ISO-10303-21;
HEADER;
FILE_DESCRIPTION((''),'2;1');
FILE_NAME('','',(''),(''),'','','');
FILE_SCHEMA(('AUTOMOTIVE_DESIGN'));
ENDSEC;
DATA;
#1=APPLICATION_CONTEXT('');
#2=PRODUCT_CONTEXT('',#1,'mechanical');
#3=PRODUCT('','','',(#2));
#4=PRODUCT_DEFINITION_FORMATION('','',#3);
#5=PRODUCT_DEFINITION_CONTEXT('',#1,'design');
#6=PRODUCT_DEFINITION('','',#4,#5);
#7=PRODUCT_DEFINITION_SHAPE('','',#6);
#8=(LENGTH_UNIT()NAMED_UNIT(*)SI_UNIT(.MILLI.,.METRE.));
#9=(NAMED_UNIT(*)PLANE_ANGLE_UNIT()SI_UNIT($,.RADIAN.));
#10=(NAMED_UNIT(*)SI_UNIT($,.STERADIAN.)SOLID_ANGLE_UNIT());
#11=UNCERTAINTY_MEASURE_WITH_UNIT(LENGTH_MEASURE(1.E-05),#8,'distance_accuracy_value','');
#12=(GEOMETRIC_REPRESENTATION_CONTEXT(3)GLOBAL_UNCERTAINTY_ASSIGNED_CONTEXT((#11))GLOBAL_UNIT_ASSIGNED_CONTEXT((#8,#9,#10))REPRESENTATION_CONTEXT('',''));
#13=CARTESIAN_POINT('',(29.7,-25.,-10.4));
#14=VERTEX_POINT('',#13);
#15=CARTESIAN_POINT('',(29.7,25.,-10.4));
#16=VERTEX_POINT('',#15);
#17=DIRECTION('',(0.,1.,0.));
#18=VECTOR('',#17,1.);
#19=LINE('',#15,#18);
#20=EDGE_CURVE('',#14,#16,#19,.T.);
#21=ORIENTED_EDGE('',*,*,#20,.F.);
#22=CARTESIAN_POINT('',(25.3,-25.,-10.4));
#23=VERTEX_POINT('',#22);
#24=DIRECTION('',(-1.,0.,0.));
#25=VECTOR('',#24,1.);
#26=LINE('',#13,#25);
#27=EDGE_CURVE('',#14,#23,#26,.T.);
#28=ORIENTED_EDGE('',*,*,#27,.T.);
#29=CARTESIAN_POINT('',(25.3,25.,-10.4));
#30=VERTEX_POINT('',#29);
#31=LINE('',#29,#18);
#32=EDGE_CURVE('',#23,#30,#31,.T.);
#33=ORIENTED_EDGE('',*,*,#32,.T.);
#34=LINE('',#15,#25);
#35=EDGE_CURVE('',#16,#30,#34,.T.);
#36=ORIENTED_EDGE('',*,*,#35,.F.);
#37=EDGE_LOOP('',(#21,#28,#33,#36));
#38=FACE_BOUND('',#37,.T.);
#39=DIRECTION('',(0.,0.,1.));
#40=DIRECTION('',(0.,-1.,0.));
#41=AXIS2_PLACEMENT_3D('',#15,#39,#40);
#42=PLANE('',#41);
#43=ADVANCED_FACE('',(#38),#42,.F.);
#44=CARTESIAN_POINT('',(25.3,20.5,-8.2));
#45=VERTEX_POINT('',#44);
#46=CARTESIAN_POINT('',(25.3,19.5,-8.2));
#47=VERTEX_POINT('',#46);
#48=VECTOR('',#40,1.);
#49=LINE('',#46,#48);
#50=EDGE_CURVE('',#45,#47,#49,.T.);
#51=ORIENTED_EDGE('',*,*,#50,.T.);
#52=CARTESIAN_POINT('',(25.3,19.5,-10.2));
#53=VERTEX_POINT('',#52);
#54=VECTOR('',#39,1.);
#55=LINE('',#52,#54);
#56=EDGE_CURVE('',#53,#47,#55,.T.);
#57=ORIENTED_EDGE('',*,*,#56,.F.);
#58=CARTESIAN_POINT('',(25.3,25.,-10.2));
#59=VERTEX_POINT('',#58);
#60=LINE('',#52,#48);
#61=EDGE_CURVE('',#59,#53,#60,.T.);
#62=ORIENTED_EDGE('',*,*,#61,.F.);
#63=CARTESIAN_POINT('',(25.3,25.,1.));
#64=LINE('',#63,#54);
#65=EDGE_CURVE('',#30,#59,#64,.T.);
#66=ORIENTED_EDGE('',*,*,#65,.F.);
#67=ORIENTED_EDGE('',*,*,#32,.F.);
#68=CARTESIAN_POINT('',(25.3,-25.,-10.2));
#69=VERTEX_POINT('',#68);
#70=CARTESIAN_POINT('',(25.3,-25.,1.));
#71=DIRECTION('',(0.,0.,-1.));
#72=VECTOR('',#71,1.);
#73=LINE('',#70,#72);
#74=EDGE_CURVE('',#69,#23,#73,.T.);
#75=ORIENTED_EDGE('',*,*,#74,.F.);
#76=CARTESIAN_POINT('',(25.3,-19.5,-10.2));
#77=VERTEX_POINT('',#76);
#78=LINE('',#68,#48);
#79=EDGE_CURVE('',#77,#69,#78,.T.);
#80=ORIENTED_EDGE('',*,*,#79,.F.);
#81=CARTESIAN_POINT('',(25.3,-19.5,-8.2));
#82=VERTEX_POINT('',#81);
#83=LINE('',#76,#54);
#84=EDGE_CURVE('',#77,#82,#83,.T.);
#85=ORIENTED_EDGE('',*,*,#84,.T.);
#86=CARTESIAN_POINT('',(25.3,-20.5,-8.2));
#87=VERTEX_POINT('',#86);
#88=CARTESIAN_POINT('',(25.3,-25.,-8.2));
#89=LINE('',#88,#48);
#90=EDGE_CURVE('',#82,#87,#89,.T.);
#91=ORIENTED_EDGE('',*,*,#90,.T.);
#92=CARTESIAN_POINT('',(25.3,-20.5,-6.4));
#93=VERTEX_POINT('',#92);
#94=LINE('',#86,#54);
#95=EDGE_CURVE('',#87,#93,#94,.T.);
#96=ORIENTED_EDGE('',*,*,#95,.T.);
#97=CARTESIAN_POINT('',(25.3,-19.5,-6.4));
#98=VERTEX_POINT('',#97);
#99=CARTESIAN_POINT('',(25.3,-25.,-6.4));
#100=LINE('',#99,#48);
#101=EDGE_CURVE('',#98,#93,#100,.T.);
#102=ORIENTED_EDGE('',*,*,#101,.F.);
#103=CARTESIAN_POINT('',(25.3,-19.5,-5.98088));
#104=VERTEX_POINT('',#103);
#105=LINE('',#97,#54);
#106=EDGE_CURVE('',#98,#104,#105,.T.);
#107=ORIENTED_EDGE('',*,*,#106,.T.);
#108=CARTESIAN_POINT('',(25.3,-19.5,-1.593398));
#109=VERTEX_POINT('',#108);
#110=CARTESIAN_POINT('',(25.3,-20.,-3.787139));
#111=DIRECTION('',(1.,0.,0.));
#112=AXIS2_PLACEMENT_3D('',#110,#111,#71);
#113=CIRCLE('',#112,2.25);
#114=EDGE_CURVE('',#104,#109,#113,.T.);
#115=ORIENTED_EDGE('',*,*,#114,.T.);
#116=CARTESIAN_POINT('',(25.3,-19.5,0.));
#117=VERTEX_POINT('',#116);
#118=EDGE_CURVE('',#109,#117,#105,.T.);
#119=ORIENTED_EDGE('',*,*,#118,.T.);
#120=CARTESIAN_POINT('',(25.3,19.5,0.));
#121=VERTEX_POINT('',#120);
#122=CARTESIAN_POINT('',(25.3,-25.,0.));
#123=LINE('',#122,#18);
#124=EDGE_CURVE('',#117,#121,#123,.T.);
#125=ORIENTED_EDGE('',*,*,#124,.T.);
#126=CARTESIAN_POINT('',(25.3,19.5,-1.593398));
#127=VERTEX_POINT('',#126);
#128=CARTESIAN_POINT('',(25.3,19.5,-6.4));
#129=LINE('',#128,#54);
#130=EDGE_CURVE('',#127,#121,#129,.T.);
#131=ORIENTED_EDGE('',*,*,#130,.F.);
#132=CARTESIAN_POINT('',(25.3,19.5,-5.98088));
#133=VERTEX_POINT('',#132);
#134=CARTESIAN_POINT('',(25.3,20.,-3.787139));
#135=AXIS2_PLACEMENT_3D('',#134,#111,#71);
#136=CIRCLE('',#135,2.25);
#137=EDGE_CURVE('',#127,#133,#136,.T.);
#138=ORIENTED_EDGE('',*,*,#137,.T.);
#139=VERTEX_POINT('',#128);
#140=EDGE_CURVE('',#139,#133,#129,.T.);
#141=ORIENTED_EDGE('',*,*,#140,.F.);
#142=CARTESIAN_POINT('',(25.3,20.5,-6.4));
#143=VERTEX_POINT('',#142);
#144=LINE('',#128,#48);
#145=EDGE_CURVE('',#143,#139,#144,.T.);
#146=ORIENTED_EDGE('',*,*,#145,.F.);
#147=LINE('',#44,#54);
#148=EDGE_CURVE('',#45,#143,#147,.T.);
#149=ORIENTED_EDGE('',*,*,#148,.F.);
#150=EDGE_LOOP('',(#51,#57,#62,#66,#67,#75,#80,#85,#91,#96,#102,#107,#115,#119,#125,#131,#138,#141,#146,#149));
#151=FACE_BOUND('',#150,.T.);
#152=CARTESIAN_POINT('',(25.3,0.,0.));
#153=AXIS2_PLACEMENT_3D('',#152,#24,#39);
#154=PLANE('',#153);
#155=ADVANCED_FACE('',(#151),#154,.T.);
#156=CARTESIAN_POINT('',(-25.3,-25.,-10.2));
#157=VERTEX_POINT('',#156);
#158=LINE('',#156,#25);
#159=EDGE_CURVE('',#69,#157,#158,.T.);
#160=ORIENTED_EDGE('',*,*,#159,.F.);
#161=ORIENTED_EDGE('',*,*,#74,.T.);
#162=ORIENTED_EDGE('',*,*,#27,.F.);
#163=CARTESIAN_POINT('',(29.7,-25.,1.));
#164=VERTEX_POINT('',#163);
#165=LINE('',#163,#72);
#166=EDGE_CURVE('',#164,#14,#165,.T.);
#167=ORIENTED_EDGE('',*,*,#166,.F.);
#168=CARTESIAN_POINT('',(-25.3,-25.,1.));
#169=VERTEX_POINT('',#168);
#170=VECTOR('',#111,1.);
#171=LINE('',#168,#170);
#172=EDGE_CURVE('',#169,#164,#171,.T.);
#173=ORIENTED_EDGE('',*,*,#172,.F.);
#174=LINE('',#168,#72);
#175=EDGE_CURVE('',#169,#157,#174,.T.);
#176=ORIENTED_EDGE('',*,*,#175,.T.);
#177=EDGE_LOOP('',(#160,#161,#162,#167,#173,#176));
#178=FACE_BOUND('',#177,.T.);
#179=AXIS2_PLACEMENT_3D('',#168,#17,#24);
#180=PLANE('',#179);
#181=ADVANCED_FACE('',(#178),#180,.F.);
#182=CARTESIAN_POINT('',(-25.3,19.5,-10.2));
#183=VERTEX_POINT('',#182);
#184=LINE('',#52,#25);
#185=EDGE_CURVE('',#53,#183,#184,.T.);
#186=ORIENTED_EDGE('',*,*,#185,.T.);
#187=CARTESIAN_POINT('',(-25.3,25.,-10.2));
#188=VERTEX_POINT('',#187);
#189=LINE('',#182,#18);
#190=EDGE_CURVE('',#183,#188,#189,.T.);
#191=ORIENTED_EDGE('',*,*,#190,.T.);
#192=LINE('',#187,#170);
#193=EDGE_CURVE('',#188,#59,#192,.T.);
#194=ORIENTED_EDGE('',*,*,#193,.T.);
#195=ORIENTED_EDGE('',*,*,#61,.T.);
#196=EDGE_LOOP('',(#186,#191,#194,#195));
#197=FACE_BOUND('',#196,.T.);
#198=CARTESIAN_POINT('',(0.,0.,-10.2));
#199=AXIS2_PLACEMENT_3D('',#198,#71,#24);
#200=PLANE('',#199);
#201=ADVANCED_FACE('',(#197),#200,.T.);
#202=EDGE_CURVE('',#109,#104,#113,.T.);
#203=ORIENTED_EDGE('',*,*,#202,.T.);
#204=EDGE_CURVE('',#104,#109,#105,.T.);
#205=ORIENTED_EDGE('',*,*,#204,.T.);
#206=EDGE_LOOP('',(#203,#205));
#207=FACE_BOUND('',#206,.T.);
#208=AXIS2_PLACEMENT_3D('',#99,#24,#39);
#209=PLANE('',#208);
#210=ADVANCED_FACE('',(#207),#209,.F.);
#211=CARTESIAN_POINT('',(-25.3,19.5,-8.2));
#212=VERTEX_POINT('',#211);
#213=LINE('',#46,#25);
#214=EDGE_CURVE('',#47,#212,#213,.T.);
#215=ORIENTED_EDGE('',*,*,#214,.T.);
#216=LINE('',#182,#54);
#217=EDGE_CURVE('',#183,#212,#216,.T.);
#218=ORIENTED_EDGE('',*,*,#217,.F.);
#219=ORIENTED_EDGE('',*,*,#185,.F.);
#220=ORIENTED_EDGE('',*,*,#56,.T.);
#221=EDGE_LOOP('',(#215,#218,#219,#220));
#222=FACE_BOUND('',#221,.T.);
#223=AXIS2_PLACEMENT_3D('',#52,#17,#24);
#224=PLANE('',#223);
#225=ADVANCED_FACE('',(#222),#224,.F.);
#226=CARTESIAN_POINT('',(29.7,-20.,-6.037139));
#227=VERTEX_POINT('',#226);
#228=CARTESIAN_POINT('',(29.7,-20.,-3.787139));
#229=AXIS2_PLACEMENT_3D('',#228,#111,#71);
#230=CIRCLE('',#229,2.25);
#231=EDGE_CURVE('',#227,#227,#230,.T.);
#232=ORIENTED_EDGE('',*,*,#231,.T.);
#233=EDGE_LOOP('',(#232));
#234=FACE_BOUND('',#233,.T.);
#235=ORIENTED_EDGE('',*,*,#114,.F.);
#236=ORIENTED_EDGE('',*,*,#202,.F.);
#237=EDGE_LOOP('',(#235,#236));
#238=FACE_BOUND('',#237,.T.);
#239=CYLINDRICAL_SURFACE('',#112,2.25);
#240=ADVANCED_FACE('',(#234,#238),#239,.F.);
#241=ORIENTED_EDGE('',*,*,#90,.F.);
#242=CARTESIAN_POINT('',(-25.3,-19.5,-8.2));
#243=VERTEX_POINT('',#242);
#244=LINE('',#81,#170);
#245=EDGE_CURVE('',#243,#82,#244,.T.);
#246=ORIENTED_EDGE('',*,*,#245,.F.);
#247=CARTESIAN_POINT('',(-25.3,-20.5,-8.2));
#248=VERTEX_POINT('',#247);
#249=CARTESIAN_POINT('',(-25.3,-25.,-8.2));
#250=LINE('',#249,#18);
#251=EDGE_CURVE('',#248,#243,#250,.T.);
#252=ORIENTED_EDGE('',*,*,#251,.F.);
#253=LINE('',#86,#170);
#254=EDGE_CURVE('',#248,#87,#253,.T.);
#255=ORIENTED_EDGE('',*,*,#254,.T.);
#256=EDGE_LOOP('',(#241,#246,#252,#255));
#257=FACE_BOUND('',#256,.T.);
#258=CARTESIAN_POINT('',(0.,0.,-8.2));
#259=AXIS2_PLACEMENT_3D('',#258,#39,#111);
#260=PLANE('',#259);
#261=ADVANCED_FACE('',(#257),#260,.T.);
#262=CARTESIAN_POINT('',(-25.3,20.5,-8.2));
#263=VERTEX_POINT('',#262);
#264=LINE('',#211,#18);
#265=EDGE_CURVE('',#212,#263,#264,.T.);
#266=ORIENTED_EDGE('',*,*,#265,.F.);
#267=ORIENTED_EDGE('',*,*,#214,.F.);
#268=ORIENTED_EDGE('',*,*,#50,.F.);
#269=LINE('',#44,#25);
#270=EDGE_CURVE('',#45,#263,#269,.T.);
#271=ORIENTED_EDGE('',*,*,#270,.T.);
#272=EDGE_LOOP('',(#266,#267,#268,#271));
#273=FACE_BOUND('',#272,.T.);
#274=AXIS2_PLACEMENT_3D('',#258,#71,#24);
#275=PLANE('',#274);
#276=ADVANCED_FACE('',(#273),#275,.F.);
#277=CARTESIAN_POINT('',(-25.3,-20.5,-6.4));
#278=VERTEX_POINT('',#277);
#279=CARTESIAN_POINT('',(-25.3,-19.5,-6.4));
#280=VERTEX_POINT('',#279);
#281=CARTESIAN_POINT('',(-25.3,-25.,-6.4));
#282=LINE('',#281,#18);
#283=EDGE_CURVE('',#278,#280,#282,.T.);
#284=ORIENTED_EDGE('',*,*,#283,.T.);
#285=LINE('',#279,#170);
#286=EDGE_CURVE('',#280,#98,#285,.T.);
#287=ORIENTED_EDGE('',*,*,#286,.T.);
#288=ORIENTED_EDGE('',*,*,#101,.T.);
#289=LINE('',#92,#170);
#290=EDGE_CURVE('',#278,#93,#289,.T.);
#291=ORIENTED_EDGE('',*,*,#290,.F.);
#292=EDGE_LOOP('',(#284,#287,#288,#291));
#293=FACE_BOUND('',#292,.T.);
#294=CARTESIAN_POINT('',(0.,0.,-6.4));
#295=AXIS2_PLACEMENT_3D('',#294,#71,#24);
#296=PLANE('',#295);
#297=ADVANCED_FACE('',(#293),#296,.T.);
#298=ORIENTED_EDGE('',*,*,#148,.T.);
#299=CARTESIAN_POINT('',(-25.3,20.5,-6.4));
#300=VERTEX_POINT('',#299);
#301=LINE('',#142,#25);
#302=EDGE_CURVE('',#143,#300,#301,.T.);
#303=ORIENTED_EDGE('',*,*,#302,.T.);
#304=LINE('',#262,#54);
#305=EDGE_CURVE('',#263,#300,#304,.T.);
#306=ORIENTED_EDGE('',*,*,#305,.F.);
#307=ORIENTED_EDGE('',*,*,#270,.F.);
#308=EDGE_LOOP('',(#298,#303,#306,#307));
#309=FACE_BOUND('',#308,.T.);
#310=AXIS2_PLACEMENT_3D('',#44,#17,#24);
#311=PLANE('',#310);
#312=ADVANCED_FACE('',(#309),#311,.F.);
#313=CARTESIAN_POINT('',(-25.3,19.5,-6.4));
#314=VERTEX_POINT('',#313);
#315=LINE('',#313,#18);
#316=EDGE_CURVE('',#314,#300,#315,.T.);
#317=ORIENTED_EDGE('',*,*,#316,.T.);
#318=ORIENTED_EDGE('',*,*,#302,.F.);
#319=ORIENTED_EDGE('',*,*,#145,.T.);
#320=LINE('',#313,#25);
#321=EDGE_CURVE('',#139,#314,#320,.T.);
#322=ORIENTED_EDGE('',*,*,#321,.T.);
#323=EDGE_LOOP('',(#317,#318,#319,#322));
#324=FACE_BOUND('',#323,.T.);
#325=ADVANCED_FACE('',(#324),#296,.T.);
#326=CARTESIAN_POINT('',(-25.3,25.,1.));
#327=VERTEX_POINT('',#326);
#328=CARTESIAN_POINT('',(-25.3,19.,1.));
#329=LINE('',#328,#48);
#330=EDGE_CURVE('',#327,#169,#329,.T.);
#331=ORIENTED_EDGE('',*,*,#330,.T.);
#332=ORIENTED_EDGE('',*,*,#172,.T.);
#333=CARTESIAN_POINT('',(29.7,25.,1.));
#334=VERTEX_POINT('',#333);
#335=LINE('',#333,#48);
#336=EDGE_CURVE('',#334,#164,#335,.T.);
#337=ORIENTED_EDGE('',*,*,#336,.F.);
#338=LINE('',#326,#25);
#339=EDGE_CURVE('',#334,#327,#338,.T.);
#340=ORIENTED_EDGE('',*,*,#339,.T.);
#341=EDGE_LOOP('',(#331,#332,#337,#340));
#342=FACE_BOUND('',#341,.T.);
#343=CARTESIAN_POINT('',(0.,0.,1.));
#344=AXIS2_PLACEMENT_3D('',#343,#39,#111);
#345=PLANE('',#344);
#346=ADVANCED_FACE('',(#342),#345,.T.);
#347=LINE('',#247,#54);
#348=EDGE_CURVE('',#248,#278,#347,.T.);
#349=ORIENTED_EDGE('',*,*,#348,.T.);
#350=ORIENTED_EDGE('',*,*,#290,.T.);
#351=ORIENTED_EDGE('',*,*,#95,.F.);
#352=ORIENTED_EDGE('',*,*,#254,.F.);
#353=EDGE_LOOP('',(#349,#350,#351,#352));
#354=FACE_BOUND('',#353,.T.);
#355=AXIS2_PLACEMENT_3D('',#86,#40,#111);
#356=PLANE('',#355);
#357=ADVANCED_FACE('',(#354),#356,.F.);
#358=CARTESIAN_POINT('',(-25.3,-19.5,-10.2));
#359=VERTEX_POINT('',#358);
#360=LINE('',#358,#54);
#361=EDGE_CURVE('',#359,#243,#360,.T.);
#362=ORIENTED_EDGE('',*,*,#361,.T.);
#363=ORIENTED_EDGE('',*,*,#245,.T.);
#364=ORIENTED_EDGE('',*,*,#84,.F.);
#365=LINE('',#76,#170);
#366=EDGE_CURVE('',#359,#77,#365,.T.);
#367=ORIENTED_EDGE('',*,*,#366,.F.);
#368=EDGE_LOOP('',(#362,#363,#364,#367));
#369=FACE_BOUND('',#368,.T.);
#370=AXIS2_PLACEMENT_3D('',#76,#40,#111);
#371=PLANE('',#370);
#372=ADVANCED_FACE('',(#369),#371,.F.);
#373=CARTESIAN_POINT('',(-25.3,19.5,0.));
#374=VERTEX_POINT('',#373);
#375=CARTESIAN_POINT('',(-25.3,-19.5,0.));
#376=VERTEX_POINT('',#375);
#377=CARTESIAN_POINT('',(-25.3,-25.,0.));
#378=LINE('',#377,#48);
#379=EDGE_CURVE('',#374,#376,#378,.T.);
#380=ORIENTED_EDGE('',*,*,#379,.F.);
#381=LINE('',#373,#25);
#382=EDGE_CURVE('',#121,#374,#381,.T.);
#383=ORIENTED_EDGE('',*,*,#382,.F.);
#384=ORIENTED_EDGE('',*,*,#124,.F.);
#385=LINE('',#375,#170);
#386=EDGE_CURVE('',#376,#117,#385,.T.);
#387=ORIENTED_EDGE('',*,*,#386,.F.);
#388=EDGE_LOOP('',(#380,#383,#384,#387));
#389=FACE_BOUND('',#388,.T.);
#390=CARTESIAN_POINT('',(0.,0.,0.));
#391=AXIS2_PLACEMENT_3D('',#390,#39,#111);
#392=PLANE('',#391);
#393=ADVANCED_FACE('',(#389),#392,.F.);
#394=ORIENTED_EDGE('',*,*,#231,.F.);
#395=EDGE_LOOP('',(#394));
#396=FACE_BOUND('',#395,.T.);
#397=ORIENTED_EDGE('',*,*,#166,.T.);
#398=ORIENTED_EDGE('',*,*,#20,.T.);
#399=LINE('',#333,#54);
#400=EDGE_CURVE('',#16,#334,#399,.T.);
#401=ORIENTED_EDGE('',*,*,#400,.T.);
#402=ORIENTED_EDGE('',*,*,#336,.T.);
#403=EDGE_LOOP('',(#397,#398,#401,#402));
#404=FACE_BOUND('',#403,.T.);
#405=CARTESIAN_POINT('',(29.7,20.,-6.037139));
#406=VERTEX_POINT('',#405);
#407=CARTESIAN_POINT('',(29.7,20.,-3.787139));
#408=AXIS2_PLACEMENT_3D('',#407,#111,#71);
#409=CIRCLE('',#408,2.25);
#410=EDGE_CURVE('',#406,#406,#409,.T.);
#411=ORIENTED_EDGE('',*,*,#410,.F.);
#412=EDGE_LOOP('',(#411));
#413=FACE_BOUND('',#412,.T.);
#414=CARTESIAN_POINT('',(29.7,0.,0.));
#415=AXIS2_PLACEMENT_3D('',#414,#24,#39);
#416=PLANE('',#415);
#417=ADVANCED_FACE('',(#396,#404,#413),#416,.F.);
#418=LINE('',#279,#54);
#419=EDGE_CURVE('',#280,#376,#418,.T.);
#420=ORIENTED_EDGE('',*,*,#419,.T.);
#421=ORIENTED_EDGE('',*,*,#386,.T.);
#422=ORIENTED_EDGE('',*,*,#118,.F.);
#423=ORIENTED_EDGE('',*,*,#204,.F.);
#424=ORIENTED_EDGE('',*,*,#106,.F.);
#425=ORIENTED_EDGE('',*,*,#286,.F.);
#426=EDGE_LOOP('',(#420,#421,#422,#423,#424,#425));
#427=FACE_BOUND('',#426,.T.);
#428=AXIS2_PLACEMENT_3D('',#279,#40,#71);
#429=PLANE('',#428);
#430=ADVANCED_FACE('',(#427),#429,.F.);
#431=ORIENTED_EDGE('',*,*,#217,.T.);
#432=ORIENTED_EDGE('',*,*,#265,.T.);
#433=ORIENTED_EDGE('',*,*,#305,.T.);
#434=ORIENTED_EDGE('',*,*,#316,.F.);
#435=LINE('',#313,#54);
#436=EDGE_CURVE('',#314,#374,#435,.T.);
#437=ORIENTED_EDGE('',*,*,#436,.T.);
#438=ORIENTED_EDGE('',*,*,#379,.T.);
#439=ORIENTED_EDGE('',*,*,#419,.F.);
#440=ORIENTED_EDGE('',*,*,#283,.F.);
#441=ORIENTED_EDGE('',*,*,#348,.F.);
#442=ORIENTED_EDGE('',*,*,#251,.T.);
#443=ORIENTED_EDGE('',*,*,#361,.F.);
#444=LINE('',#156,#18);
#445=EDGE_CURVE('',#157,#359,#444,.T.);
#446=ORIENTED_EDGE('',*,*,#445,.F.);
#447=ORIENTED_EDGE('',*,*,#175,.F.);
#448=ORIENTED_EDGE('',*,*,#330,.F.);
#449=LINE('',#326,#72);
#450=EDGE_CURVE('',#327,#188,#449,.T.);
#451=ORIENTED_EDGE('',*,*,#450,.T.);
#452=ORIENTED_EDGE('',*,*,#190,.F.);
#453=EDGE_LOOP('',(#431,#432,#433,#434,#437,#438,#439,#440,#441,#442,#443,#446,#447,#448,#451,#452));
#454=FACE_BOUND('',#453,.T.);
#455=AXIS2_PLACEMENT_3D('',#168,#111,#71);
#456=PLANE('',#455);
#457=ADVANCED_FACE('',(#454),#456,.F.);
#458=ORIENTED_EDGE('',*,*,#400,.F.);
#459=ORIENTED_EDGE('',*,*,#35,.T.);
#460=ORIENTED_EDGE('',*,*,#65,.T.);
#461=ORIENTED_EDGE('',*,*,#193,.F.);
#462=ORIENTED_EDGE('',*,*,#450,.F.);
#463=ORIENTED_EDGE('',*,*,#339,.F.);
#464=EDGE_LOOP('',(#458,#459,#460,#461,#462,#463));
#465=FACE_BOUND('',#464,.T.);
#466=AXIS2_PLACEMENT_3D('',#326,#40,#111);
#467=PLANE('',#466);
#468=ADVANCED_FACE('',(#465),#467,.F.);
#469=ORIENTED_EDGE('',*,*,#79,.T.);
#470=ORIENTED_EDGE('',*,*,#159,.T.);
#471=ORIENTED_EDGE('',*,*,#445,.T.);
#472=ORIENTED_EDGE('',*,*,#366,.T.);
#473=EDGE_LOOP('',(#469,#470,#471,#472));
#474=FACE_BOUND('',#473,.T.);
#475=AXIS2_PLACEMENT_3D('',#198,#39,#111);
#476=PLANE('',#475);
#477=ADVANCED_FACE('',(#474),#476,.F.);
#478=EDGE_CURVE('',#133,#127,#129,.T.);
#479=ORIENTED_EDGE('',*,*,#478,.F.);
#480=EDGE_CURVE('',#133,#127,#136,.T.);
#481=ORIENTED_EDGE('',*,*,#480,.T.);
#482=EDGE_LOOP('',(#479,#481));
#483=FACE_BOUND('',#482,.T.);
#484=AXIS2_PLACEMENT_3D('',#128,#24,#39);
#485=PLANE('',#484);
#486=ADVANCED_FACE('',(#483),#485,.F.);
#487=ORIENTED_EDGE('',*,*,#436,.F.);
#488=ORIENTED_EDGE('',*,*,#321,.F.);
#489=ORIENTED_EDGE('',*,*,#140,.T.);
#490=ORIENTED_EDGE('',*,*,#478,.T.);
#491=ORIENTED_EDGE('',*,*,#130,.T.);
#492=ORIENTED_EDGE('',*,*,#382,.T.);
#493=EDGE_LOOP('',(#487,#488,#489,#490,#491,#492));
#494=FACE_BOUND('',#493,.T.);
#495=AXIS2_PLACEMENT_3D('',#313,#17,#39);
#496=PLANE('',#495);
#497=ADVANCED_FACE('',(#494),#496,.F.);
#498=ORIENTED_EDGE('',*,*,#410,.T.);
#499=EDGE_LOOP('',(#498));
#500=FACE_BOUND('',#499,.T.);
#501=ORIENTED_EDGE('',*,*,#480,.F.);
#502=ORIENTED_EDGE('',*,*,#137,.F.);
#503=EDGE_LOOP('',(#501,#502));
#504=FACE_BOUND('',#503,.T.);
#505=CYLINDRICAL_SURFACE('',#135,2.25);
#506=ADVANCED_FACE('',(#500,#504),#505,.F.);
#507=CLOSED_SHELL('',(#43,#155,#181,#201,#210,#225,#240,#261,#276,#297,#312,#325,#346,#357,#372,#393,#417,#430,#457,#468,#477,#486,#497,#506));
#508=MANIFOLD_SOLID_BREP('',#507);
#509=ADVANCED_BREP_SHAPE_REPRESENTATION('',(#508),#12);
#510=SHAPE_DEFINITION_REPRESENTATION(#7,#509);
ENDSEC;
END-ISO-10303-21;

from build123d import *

# Parameters (mm, degrees)
BOSS_EXTRUDE1_DEPTH = 1
SKETCH2_W           = 50
SKETCH2_H           = 11.4
BOSS_EXTRUDE2_DEPTH = 4.4
SKETCH3_R           = 2.25
CUT_EXTRUDE1_DEPTH  = 4.4
SKETCH4_W           = 50.6
SKETCH4_H           = 5.5
BOSS_EXTRUDE3_DEPTH = 6.4
SKETCH5_W           = 50.6
SKETCH5_H           = 4.5
BOSS_EXTRUDE4_DEPTH = 1.8
SKETCH6_W           = 50.6
SKETCH6_H           = 5.5
BOSS_EXTRUDE5_DEPTH = 2


with BuildPart() as part:
    # Sketch1 → Boss-Extrude1 (new body)
    with BuildSketch(Plane(origin=(0, 0, 0), x_dir=(0, 1, 0), z_dir=(0, 0, 1))):
        Polygon((-25, 25.3), (19, 25.3), (25, 25.3), (25, -25.3), (-25, -25.3), align=None)
    extrude(amount=BOSS_EXTRUDE1_DEPTH)

    # Sketch2 → Boss-Extrude2 (add)
    with BuildSketch(Plane.YZ.offset(25.3)):
        with Locations((0, -4.7)):
            Rectangle(SKETCH2_W, SKETCH2_H)
    extrude(amount=BOSS_EXTRUDE2_DEPTH)

    # Sketch3 → Cut-Extrude1 (cut)
    with BuildSketch(Plane.YZ.offset(29.7)):
        with Locations(Location((-20, -3.787139035, 0), (0, 0, 270))):
            Circle(SKETCH3_R)
        with Locations(Location((20, -3.787139035, 0), (0, 0, 270))):
            Circle(SKETCH3_R)
    extrude(amount=-CUT_EXTRUDE1_DEPTH, mode=Mode.SUBTRACT)

    # Sketch4 → Boss-Extrude3 (add)
    with BuildSketch(Plane(origin=(0, 0, 0), x_dir=(1, 0, 0), z_dir=(0, 0, -1))):
        with Locations((0, -22.25)):
            Rectangle(SKETCH4_W, SKETCH4_H)
        with Locations((0, 22.25)):
            Rectangle(SKETCH4_W, SKETCH4_H)
    extrude(amount=BOSS_EXTRUDE3_DEPTH)

    # Sketch5 → Boss-Extrude4 (add)
    with BuildSketch(Plane(origin=(0, 0, -6.4), x_dir=(1, 0, 0), z_dir=(0, 0, -1))):
        with Locations((0, 22.75)):
            Rectangle(SKETCH5_W, SKETCH5_H)
        with Locations((0, -22.75)):
            Rectangle(SKETCH5_W, SKETCH5_H)
    extrude(amount=BOSS_EXTRUDE4_DEPTH)

    # Sketch6 → Boss-Extrude5 (add)
    with BuildSketch(Plane(origin=(0, 0, -8.2), x_dir=(1, 0, 0), z_dir=(0, 0, -1))):
        with Locations((0, -22.25)):
            Rectangle(SKETCH6_W, SKETCH6_H)
        with Locations((0, 22.25)):
            Rectangle(SKETCH6_W, SKETCH6_H)
    extrude(amount=BOSS_EXTRUDE5_DEPTH)


solid = part.part
